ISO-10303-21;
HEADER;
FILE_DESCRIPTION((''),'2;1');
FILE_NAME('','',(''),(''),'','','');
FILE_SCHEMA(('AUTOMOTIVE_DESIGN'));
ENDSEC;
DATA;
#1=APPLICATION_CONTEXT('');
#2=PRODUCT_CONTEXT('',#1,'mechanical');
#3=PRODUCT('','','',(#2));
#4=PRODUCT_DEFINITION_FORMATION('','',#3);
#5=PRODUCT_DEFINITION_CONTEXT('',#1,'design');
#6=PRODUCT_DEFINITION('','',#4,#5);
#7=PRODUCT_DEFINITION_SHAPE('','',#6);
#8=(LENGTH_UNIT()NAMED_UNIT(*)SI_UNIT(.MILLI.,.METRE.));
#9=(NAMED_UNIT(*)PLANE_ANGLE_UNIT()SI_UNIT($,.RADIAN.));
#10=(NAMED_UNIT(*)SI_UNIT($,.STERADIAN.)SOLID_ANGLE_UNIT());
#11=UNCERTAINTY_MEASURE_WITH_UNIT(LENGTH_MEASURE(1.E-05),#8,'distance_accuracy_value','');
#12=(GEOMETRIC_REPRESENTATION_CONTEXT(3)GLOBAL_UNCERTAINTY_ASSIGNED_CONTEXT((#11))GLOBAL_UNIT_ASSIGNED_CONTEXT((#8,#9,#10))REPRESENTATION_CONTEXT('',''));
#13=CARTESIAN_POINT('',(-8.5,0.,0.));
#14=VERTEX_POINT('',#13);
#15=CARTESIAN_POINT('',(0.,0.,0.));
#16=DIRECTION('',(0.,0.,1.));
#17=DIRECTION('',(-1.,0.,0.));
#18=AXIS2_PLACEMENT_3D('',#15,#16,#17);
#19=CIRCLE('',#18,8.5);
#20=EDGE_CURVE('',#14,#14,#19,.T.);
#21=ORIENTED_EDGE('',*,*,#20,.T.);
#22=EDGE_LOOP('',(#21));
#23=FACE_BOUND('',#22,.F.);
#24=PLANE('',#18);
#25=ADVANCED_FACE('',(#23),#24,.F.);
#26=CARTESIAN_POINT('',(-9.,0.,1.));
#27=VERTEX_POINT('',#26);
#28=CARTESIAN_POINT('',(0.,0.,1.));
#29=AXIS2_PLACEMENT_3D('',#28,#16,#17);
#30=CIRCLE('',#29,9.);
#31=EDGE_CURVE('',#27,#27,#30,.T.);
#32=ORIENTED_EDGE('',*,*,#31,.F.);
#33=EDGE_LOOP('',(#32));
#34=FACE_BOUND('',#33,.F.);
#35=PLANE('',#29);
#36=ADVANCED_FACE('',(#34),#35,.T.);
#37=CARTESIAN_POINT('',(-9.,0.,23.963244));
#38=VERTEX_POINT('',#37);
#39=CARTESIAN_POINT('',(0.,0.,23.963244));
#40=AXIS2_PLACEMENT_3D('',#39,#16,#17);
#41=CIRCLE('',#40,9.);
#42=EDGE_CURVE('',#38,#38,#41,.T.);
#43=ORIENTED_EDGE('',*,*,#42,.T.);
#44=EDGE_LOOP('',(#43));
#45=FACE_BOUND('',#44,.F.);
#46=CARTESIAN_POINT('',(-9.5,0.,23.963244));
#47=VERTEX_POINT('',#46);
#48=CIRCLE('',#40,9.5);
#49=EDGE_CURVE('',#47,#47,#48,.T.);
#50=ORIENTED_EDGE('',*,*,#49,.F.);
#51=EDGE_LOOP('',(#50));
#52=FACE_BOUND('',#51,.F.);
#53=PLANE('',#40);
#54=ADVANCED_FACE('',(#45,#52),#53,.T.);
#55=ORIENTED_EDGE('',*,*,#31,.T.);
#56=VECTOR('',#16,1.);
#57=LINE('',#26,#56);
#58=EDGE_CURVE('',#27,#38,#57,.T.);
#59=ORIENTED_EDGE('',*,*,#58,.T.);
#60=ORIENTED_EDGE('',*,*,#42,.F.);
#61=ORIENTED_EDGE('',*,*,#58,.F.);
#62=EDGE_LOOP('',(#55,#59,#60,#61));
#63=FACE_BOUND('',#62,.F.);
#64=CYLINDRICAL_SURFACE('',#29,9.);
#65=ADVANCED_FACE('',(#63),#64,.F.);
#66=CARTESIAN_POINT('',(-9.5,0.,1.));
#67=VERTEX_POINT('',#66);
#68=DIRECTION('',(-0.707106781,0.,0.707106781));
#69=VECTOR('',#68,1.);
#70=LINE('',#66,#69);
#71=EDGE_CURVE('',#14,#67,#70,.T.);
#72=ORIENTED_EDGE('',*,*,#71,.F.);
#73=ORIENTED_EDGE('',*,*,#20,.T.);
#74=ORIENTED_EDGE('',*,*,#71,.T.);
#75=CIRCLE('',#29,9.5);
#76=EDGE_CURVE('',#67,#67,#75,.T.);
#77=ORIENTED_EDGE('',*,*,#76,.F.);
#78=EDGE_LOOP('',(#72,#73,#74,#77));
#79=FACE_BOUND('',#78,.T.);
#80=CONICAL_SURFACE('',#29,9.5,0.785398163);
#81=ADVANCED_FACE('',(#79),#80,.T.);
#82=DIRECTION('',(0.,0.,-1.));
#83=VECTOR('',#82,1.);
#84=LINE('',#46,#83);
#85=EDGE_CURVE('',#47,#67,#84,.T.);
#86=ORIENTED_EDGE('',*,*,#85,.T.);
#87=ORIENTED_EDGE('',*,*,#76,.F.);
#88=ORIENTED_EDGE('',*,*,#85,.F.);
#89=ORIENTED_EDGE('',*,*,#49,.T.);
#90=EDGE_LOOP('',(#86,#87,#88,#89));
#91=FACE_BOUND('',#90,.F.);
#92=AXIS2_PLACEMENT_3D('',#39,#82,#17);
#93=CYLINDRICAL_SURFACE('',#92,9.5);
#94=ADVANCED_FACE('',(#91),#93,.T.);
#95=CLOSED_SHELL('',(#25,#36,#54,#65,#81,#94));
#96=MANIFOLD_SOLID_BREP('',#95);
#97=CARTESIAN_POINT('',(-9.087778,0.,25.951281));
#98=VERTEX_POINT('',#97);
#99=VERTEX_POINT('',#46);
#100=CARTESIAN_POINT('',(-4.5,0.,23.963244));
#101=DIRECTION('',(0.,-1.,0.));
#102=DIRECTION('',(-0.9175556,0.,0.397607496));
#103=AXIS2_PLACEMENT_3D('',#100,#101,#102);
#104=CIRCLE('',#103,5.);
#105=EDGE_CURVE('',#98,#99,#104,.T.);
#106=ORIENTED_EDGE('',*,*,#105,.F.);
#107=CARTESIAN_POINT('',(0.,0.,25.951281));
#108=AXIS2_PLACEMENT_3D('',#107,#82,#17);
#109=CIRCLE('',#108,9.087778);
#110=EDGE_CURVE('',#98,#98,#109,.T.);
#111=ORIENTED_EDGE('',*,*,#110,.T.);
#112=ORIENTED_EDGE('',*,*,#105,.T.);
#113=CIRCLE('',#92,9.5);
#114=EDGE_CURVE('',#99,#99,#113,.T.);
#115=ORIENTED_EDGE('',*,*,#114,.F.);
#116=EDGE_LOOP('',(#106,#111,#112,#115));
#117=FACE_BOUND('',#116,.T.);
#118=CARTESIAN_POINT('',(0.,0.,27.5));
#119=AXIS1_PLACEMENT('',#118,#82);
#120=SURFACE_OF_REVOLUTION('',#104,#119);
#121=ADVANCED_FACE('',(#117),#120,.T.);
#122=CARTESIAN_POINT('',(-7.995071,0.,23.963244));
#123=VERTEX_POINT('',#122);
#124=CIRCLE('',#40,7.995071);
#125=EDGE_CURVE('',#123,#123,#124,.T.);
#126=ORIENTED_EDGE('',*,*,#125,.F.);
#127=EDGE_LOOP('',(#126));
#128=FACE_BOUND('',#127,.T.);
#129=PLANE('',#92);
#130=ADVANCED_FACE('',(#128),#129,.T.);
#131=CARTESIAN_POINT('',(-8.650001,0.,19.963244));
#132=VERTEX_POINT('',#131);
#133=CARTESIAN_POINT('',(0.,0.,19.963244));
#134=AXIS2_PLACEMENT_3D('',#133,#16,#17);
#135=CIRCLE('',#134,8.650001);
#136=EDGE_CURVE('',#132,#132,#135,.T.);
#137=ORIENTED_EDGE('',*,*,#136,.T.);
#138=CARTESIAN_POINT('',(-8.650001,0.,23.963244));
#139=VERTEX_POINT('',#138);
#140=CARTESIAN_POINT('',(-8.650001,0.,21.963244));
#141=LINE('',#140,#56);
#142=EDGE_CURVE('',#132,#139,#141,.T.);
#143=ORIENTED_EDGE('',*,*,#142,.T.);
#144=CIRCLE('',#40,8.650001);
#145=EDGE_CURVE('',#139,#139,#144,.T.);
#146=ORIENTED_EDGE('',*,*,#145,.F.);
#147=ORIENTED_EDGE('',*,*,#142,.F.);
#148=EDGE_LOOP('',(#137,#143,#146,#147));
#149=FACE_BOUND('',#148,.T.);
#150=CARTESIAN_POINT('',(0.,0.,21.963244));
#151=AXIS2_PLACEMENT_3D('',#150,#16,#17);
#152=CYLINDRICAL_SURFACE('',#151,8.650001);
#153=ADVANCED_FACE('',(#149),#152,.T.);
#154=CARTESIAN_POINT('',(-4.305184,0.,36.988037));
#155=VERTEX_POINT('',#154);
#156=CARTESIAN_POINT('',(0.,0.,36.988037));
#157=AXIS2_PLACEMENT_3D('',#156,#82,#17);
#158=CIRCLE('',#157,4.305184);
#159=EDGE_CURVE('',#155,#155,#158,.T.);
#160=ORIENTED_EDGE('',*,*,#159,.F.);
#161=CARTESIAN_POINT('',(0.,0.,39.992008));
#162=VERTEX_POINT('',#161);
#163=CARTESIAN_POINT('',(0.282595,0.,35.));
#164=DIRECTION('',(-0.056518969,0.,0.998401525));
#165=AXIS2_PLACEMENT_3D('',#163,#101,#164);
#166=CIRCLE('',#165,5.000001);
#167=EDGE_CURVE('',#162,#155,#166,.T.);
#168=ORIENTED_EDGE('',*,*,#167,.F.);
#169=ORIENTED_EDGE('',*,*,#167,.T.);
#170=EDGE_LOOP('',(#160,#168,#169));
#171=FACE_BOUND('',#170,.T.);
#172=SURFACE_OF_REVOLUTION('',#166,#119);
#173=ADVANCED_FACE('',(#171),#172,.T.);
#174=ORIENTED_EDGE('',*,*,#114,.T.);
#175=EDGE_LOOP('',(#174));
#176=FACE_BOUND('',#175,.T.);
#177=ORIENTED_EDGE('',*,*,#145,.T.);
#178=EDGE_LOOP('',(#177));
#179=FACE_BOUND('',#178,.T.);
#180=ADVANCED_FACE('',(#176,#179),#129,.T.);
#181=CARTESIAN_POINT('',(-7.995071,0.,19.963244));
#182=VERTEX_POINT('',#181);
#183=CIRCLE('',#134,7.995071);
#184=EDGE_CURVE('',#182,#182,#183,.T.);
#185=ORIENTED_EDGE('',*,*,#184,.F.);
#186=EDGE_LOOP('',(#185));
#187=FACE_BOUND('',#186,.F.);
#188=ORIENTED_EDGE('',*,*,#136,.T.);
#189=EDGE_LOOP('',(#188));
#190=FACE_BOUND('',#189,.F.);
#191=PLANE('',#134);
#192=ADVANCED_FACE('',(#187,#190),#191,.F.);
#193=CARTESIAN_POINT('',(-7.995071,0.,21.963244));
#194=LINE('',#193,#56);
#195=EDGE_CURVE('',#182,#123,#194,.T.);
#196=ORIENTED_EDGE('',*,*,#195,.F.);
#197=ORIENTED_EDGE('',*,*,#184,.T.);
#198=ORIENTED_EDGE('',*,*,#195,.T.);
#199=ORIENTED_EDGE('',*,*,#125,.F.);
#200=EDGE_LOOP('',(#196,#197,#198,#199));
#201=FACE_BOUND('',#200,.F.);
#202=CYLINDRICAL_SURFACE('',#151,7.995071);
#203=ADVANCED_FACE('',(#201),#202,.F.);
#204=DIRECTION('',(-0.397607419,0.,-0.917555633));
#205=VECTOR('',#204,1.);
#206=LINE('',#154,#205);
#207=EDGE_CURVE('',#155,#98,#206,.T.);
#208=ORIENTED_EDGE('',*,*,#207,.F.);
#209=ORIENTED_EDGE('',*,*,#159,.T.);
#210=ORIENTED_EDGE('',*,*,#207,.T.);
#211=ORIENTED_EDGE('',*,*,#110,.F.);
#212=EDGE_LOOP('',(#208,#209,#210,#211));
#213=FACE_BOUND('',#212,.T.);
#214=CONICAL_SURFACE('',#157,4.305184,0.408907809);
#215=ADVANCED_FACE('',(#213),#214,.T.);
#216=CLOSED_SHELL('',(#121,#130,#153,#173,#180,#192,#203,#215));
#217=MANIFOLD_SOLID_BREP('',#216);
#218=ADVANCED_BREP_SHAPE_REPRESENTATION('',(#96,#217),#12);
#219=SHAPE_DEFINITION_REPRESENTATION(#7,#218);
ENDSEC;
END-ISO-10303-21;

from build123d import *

# Parameters (mm, degrees)
F2_W    = 0.654929
F2_H    = 4
F5_SIZE = 1


with BuildPart() as f1:
    # F0 (on Front) → F1 (revolve)
    with BuildSketch(Plane.XZ):
        Polygon((-9.5, 0), (0, 0), (0, 1), (-9, 1), (-9, 23.963244), (-9.5, 23.963244), align=None)
    revolve(axis=Axis((0, 0, 7.5), (0, 0, 1)))

    # F5
    f5_edges = [f1.edges().sort_by_distance(p)[0] for p in [
        (9.5, 0, 0),
    ]]
    chamfer(f5_edges, length=F5_SIZE)


with BuildPart() as f3:
    # F0 (on Front) → F3 (revolve)
    with BuildSketch(Plane.XZ):
        with BuildLine():
            ThreePointArc((-9.087778, 25.951281), (-9.39586, 24.978406), (-9.5, 23.963244))
            Line((-9.5, 23.963244), (-9, 23.963244))
            Line((-9, 23.963244), (0, 23.963244))
            Line((0, 23.963244), (0, 39.992008))
            ThreePointArc((0, 39.992008), (-2.57854, 39.100477), (-4.305184, 36.988037))
            Line((-4.305184, 36.988037), (-9.087778, 25.951281))
        make_face()
    revolve(axis=Axis((0, 0, 27.5), (0, 0, -1)))

    # F2 (on face) → F4 (revolve)
    with BuildSketch(Plane.XZ):
        with Locations((-8.322536, 21.963244)):
            Rectangle(F2_W, F2_H)
    revolve(axis=Axis((0, 0, 7.5), (0, 0, 1)))


solid = Compound([f1.part, f3.part])
